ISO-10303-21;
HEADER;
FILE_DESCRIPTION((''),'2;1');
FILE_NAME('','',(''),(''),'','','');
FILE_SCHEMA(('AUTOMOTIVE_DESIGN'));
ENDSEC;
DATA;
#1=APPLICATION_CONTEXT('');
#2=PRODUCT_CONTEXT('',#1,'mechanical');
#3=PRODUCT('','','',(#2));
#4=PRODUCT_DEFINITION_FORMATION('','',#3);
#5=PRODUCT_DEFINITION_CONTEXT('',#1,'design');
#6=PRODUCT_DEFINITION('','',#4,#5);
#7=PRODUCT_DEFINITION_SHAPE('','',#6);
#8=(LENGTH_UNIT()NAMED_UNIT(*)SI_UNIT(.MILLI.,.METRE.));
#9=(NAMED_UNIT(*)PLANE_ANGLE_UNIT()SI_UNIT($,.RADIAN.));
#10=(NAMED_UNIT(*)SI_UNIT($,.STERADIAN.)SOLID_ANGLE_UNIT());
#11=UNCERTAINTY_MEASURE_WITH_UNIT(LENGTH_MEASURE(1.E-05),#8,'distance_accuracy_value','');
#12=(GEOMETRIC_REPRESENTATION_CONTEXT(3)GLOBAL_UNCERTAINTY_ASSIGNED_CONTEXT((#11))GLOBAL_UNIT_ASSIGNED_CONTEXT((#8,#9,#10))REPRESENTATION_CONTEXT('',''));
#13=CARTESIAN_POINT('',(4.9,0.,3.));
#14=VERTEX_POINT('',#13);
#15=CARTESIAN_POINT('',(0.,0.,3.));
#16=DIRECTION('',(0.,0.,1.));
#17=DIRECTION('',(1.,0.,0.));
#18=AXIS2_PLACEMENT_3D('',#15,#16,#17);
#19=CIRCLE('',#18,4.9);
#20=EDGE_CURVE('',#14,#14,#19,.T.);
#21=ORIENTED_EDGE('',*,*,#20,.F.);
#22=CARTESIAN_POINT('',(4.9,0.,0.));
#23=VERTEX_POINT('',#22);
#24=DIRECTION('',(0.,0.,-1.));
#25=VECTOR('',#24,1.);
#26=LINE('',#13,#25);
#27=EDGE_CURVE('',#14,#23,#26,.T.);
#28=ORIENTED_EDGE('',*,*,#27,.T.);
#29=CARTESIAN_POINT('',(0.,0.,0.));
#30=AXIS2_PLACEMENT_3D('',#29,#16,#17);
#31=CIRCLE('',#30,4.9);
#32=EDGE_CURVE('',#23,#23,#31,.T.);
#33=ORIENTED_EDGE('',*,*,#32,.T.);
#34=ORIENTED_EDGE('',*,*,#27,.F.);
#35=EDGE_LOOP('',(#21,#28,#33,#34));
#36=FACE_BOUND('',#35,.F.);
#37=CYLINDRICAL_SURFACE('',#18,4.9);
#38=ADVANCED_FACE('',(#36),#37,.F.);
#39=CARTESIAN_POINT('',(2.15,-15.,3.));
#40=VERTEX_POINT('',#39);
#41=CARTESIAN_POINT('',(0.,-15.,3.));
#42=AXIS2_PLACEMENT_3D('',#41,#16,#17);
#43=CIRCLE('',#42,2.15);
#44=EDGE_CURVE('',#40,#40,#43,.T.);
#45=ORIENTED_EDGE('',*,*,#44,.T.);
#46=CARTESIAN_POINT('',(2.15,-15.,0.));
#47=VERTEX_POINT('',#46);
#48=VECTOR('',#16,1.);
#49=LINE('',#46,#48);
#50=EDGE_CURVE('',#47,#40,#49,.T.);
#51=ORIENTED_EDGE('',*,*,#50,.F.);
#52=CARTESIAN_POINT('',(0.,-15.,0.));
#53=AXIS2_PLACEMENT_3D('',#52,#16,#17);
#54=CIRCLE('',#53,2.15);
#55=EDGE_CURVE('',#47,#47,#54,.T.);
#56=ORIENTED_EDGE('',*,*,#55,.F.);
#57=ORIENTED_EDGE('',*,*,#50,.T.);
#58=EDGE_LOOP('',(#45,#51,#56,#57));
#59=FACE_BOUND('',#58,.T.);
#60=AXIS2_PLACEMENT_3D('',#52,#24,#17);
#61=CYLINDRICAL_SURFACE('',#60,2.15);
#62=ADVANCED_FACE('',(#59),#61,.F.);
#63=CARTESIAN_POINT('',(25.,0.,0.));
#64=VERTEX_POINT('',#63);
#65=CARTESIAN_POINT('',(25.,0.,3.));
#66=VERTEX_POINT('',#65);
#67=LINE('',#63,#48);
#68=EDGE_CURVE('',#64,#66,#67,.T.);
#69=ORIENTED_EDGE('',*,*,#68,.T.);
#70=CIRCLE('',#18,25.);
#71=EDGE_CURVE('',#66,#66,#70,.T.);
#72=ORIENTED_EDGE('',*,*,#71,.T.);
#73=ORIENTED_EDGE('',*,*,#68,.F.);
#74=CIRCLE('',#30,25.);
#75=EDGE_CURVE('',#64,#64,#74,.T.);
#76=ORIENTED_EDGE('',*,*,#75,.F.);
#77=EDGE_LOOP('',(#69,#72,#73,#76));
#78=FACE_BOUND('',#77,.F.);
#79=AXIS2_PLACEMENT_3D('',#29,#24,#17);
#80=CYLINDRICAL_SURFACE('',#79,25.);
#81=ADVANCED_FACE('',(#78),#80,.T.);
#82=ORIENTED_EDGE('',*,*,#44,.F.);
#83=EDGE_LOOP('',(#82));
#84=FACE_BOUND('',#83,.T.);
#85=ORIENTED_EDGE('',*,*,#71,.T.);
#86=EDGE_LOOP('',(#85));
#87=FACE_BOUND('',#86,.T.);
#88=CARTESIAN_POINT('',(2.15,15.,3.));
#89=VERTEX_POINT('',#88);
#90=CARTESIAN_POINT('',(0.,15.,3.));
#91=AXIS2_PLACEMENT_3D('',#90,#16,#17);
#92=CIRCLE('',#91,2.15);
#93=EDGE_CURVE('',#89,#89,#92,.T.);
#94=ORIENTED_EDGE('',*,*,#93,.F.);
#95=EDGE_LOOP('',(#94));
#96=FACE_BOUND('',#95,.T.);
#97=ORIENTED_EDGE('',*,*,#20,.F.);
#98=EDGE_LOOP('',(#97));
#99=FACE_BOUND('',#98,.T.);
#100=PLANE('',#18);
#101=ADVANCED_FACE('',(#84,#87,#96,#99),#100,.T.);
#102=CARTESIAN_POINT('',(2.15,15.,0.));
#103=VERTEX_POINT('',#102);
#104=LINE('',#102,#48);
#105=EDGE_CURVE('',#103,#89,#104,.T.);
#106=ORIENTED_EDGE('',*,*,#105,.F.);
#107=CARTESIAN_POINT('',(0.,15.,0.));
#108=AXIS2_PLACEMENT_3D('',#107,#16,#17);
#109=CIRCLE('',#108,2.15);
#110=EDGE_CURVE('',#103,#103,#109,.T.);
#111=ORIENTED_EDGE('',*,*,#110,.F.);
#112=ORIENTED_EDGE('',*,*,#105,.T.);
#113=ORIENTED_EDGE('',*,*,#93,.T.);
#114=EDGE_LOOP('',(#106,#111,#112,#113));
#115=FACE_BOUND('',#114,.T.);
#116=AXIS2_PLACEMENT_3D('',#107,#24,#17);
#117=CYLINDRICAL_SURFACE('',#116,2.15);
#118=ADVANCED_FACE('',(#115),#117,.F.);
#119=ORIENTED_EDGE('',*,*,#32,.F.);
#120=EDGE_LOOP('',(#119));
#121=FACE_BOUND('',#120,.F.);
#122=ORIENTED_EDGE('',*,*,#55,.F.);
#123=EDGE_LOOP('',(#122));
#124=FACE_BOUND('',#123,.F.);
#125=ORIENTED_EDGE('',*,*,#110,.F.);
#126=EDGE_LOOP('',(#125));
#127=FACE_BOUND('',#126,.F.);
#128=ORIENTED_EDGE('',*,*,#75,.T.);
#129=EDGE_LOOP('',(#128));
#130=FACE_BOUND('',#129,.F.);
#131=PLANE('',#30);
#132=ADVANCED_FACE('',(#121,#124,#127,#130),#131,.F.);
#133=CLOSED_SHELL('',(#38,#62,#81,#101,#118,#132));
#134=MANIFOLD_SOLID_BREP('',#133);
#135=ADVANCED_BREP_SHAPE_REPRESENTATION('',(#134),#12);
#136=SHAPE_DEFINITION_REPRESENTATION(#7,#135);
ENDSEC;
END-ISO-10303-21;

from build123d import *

# Parameters (mm, degrees)
F0_R     = 25
F0_R_2   = 2.15
F1_DEPTH = 3
F2_R     = 4.9
F3_DEPTH = 3.001


with BuildPart() as f1:
    # F0 (on Top) → F1 (new body)
    with BuildSketch(Plane.XY):
        Circle(F0_R)
        with Locations((0, -15)):
            Circle(F0_R_2, mode=Mode.SUBTRACT)
        with Locations((0, 15)):
            Circle(F0_R_2, mode=Mode.SUBTRACT)
    extrude(amount=F1_DEPTH)

    # F2 (on face) → F3 (cut, through all)
    with BuildSketch(Plane.XY.offset(3)):
        Circle(F2_R)
    extrude(amount=-F3_DEPTH, mode=Mode.SUBTRACT)


solid = f1.part
